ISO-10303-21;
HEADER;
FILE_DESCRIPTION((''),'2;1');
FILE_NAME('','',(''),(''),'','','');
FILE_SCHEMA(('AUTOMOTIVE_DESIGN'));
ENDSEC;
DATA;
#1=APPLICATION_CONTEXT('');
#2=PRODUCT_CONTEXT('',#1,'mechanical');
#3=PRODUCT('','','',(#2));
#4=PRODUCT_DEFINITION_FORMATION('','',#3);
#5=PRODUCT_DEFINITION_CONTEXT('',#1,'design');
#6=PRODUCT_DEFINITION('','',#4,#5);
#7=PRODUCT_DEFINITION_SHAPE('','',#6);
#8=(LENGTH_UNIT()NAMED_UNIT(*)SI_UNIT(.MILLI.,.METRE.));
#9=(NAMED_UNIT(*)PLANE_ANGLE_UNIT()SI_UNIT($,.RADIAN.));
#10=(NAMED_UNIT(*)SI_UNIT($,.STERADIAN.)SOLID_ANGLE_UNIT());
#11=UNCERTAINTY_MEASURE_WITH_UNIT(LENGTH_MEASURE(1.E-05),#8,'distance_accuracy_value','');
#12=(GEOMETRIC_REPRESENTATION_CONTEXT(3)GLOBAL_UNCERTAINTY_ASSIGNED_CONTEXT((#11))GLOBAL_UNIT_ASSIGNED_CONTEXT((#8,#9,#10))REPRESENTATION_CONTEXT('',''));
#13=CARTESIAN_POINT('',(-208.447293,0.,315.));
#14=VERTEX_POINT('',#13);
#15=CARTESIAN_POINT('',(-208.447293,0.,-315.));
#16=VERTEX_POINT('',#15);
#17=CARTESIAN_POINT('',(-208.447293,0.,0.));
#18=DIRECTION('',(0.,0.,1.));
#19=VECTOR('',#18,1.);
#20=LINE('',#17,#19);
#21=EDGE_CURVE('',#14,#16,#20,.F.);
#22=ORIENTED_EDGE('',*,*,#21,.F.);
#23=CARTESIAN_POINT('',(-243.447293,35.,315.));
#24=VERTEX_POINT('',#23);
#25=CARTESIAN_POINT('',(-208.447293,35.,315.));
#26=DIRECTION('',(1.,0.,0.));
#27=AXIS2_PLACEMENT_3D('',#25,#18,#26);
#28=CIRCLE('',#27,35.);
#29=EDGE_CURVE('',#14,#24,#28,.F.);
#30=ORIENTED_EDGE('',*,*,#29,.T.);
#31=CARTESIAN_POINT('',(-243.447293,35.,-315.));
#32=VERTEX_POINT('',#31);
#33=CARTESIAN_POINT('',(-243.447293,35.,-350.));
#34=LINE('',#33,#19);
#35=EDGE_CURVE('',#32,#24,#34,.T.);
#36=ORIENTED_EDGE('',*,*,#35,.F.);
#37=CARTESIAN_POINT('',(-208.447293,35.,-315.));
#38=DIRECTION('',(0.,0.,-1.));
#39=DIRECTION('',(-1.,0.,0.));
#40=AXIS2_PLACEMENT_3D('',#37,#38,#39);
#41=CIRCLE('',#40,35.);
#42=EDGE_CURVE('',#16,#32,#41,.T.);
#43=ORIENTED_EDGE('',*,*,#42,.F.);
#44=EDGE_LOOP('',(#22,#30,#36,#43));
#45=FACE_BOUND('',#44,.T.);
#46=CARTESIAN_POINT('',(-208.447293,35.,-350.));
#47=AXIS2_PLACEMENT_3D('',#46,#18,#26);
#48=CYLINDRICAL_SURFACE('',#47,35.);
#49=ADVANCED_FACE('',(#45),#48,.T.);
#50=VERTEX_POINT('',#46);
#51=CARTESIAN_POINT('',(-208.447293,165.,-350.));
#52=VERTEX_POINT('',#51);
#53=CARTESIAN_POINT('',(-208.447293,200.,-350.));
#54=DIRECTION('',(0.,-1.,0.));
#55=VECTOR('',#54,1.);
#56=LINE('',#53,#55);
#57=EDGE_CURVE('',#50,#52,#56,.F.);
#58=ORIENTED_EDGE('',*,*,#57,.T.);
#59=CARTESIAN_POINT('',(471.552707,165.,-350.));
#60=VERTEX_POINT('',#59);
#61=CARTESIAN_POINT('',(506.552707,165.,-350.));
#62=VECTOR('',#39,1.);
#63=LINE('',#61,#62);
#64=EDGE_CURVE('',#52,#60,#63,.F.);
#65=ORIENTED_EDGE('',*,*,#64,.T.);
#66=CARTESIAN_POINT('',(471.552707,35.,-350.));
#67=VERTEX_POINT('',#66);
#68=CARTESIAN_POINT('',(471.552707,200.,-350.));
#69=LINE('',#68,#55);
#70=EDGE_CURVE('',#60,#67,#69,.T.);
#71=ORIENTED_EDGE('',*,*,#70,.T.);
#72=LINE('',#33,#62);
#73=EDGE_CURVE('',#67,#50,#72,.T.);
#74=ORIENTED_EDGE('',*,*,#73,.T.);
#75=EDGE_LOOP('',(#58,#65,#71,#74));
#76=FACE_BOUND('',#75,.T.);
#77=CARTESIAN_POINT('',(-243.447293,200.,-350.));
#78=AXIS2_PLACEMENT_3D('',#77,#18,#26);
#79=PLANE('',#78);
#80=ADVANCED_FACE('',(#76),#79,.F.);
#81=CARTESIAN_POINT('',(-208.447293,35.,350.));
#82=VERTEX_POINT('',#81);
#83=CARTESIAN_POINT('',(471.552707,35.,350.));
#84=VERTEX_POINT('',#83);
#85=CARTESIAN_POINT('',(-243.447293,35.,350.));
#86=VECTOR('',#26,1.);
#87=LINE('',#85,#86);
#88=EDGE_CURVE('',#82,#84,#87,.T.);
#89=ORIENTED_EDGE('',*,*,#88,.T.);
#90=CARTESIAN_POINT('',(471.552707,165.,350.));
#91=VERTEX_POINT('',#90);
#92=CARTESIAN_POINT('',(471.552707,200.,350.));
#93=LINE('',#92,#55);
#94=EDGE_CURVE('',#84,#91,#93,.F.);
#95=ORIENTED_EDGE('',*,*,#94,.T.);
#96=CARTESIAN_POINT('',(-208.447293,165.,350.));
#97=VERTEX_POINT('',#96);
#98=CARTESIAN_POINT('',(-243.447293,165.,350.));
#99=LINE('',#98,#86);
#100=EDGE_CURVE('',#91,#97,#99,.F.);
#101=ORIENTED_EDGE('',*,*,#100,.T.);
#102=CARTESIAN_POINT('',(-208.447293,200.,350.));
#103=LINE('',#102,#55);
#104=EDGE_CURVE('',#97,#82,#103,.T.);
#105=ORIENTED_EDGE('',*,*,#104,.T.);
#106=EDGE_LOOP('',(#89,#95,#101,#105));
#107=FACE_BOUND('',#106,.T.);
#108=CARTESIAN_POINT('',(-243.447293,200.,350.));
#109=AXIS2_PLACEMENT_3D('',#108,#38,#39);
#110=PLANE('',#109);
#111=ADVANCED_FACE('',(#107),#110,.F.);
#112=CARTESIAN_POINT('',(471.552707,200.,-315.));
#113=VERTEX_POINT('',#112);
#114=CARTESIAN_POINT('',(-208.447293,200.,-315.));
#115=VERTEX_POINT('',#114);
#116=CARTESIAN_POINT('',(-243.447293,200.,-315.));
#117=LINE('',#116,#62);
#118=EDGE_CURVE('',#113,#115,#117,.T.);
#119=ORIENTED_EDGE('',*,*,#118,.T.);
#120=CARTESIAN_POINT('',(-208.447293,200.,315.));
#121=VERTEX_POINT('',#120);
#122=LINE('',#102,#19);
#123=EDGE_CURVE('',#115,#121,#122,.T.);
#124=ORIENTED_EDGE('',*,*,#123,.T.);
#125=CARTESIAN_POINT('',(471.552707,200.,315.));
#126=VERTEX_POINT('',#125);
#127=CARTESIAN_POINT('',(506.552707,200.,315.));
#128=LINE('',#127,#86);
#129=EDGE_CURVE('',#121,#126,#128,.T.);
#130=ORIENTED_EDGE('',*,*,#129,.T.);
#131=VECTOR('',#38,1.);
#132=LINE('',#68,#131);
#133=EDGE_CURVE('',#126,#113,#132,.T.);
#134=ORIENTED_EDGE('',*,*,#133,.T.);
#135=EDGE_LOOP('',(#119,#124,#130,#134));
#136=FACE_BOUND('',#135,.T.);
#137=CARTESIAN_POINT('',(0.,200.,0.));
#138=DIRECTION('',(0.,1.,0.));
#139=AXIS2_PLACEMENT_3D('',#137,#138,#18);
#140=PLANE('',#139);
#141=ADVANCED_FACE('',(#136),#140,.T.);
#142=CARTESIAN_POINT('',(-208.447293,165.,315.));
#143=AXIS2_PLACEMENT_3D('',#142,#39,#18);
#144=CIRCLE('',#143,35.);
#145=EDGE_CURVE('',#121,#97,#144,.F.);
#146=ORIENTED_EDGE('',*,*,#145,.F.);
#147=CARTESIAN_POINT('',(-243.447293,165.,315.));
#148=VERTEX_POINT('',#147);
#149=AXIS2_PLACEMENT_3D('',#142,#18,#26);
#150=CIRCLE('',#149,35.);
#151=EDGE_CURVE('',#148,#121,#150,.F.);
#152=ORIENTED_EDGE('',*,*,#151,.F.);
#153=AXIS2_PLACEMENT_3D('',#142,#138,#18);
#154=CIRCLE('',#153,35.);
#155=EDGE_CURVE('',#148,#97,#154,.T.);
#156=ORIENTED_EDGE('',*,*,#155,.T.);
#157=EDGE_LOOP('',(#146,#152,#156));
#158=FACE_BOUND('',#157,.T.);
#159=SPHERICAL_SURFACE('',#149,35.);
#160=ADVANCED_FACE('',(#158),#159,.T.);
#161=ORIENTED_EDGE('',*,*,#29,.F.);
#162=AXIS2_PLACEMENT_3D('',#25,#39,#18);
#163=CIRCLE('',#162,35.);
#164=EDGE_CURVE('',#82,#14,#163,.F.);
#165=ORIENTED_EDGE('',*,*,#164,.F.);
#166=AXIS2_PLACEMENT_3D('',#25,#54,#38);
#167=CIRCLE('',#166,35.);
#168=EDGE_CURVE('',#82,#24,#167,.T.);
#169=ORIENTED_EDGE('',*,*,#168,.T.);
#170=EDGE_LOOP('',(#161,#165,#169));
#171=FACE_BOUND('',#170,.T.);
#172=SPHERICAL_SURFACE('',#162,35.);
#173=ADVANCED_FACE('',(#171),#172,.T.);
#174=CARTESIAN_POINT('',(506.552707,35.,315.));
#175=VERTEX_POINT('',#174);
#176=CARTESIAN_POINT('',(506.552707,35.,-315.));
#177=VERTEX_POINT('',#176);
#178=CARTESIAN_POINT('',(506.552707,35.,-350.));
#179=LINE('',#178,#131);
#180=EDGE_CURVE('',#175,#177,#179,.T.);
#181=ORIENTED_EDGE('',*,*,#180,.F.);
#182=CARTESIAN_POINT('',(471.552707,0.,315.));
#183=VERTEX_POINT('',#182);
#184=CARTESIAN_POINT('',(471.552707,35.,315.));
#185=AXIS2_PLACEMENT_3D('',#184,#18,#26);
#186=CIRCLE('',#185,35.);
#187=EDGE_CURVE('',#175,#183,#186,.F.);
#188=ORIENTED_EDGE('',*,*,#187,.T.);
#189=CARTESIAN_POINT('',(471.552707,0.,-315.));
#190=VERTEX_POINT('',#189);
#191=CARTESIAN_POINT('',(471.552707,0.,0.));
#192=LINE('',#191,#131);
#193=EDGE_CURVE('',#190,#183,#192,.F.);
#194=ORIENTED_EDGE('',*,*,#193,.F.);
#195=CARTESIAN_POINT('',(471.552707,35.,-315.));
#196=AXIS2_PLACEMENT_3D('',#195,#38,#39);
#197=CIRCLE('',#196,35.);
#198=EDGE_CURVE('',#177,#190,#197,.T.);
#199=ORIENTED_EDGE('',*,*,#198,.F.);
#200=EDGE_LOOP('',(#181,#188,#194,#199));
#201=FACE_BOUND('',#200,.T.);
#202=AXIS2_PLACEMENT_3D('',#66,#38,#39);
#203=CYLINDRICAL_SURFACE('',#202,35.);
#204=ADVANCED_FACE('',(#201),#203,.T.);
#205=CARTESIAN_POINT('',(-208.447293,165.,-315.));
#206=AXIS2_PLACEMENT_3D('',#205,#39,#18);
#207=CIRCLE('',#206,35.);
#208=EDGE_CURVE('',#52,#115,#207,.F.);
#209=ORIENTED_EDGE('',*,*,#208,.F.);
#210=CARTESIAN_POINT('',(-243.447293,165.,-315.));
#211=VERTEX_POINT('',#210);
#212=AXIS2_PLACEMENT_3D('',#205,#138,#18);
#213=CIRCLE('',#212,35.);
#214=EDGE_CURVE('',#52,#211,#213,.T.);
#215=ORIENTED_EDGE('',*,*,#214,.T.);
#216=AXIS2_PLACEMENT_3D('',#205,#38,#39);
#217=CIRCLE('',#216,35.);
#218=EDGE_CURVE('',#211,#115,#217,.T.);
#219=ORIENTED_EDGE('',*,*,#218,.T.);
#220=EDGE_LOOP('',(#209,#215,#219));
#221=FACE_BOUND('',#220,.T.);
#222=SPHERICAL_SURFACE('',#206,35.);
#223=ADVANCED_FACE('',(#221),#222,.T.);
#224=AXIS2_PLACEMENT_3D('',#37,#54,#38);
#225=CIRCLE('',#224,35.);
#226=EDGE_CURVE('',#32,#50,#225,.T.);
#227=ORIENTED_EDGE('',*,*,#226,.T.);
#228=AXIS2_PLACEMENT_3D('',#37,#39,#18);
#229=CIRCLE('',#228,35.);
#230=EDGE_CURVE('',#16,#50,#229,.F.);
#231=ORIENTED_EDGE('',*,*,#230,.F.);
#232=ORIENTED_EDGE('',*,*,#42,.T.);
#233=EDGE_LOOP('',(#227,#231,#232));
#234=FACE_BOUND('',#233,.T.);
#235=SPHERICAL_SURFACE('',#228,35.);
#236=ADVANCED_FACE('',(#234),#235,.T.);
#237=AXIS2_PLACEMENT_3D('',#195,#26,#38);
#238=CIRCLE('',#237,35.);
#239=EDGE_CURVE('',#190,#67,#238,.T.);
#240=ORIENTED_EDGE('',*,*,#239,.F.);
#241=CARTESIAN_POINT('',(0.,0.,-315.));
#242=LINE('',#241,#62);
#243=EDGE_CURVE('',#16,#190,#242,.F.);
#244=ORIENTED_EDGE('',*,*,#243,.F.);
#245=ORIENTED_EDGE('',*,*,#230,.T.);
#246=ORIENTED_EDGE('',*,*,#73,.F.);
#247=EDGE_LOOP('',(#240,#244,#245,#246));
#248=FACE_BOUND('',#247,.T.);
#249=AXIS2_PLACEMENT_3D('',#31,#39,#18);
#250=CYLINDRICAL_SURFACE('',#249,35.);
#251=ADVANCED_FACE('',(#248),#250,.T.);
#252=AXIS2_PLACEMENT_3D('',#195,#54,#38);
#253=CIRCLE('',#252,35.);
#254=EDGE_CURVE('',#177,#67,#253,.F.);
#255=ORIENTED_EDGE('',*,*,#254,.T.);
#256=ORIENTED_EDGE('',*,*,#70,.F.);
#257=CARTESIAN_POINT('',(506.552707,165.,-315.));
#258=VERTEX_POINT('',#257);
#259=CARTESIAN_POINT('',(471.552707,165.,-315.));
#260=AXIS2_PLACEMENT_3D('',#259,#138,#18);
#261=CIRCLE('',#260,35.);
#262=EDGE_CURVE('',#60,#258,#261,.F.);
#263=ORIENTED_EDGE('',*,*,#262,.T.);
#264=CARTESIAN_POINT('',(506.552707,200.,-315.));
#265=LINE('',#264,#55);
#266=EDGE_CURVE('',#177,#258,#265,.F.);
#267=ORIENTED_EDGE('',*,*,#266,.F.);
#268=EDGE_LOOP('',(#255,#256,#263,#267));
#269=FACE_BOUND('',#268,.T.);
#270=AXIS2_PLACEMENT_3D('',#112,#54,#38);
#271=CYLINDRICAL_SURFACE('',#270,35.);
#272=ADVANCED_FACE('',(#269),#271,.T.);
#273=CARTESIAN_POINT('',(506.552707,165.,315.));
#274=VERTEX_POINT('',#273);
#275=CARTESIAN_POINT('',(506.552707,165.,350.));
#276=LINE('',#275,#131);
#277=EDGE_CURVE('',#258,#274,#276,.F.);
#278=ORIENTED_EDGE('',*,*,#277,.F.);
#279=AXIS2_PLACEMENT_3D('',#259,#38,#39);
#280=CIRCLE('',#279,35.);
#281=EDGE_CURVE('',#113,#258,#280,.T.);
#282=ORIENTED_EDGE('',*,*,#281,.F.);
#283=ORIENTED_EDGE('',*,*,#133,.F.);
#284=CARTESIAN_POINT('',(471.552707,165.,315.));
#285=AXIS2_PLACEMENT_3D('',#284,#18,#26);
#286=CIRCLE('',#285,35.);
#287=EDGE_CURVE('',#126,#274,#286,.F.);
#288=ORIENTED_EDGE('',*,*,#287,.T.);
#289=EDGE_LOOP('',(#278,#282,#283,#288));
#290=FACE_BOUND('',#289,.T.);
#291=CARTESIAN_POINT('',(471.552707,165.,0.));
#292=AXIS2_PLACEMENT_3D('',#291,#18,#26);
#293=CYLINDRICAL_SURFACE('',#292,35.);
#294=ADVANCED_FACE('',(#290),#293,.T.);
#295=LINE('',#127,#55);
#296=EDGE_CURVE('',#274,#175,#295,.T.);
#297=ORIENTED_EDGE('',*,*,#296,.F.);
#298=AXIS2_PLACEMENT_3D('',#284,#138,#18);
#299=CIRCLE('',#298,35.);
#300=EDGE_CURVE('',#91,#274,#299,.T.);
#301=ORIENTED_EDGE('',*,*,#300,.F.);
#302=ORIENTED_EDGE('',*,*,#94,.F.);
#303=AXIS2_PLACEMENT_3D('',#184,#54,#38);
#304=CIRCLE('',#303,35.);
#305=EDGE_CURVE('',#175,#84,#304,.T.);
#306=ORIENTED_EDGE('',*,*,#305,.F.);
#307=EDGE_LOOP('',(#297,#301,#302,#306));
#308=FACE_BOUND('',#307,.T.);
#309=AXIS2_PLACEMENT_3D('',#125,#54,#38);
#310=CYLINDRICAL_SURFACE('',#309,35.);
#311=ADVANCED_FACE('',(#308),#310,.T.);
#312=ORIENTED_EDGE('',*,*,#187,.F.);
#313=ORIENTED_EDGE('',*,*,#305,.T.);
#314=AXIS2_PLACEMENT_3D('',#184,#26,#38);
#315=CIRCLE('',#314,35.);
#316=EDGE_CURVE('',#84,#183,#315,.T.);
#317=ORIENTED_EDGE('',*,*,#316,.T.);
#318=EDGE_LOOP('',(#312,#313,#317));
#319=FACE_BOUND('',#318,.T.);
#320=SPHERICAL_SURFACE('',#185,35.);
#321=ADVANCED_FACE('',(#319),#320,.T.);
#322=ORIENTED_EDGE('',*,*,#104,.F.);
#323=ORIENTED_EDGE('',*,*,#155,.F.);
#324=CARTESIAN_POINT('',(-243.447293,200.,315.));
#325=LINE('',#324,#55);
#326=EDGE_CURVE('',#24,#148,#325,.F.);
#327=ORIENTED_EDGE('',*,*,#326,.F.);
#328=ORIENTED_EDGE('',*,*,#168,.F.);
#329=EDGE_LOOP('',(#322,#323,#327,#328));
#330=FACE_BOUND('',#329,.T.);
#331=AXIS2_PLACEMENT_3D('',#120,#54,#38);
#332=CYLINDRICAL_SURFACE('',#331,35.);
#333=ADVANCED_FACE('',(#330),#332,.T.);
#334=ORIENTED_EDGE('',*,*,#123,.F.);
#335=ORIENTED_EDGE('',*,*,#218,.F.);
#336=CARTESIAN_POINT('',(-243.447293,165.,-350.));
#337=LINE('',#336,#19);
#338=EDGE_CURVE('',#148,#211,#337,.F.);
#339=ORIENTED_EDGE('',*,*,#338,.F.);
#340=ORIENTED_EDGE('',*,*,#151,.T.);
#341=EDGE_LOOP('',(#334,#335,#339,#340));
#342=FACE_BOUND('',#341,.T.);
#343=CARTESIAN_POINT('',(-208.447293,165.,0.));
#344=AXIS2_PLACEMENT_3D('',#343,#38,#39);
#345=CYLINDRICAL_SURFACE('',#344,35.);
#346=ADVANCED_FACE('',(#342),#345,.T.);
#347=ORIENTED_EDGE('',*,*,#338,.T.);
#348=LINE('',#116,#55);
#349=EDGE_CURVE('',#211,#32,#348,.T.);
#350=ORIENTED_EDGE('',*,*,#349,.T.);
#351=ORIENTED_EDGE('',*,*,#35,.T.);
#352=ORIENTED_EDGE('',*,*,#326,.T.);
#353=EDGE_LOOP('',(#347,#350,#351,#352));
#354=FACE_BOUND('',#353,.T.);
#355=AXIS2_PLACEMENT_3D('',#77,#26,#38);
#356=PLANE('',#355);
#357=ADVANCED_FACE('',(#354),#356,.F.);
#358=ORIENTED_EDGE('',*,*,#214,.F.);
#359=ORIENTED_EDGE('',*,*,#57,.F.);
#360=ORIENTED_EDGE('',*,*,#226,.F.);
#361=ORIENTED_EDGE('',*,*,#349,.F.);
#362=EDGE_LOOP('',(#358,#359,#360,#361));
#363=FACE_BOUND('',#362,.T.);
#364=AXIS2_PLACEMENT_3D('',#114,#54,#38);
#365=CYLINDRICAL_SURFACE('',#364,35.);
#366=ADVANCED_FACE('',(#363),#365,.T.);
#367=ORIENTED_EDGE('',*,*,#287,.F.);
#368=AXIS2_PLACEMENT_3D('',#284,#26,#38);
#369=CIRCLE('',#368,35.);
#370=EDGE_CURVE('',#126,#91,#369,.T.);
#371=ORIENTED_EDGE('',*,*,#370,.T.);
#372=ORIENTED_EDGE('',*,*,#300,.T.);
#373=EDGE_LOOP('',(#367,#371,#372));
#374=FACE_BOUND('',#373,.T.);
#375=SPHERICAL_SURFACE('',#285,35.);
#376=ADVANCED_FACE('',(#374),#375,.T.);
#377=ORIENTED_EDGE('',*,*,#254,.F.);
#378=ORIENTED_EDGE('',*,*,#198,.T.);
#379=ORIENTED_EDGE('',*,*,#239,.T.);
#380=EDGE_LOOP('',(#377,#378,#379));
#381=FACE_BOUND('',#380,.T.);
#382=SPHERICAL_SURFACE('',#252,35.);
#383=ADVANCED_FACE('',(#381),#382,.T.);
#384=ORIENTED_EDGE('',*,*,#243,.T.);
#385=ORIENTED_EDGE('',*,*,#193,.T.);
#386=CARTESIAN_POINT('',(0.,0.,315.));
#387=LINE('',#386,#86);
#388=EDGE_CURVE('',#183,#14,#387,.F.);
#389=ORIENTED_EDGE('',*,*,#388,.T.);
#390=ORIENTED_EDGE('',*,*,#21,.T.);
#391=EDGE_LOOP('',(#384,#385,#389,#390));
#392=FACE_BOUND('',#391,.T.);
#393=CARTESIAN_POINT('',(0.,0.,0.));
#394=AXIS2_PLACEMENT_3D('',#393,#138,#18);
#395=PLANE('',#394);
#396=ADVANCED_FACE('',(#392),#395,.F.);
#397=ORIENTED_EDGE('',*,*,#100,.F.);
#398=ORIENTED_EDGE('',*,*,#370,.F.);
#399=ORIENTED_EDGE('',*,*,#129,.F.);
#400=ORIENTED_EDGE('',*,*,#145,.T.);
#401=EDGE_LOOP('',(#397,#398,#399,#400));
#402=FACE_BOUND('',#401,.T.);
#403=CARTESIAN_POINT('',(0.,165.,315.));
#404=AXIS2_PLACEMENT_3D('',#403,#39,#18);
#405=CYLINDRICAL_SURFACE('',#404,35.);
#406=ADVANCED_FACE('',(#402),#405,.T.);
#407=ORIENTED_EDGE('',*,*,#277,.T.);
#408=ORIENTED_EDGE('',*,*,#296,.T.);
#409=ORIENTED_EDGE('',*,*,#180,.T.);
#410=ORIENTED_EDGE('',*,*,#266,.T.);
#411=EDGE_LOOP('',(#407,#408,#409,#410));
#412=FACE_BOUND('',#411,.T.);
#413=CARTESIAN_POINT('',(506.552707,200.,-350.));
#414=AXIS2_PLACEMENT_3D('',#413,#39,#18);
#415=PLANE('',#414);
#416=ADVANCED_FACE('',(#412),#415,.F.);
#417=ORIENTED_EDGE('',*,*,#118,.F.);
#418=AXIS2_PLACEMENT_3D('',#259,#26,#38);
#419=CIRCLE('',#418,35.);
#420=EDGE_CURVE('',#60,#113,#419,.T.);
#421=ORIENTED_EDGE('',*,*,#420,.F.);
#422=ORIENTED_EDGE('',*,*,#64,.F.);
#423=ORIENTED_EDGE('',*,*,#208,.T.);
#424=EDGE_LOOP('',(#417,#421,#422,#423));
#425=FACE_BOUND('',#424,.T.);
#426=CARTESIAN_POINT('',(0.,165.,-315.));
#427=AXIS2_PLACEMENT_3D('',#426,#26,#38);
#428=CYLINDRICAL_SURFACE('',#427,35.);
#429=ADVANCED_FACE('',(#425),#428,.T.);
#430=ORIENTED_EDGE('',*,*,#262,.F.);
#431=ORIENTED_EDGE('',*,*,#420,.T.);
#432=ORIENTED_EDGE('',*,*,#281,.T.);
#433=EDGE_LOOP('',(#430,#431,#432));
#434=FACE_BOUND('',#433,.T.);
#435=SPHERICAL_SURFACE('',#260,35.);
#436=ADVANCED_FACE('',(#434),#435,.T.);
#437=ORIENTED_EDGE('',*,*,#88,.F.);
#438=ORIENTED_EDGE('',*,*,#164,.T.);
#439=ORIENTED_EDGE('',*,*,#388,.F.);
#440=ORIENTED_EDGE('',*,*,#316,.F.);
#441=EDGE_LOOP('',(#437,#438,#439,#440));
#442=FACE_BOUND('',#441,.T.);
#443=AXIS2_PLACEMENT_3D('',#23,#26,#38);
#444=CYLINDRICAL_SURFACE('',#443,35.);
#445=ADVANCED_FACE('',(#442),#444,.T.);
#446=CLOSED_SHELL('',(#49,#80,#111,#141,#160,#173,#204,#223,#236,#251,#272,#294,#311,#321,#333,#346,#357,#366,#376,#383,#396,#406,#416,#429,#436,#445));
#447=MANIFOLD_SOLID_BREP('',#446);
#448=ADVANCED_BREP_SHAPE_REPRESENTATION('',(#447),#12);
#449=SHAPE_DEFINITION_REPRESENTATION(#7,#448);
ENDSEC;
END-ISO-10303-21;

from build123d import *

# Parameters (mm, degrees)
SKETCH1_W           = 750
SKETCH1_H           = 700
BOSS_EXTRUDE1_DEPTH = 200
FILLET1_R           = 35


with BuildPart() as part:
    # Sketch1 → Boss-Extrude1 (new body)
    with BuildSketch(Plane(origin=(0, 0, 0), x_dir=(1, 0, 0), z_dir=(0, 1, 0))):
        with Locations((131.552706553, 0)):
            Rectangle(SKETCH1_W, SKETCH1_H)
    extrude(amount=BOSS_EXTRUDE1_DEPTH)

    # Fillet1
    fillet1_edges = [part.edges().sort_by_distance(p)[0] for p in [
        (-243.447293447, 200, 0),
        (131.552706553, 200, 350),
        (506.552706553, 200, 0),
        (131.552706553, 0, 350),
        (-243.447293447, 0, 0),
        (131.552706553, 0, -350),
        (506.552706553, 0, 0),
        (506.552706553, 100, 350),
        (-243.447293447, 100, 350),
        (-243.447293447, 100, -350),
        (506.552706553, 100, -350),
        (131.552706553, 200, -350),
    ]]
    fillet(fillet1_edges, radius=FILLET1_R)


solid = part.part
